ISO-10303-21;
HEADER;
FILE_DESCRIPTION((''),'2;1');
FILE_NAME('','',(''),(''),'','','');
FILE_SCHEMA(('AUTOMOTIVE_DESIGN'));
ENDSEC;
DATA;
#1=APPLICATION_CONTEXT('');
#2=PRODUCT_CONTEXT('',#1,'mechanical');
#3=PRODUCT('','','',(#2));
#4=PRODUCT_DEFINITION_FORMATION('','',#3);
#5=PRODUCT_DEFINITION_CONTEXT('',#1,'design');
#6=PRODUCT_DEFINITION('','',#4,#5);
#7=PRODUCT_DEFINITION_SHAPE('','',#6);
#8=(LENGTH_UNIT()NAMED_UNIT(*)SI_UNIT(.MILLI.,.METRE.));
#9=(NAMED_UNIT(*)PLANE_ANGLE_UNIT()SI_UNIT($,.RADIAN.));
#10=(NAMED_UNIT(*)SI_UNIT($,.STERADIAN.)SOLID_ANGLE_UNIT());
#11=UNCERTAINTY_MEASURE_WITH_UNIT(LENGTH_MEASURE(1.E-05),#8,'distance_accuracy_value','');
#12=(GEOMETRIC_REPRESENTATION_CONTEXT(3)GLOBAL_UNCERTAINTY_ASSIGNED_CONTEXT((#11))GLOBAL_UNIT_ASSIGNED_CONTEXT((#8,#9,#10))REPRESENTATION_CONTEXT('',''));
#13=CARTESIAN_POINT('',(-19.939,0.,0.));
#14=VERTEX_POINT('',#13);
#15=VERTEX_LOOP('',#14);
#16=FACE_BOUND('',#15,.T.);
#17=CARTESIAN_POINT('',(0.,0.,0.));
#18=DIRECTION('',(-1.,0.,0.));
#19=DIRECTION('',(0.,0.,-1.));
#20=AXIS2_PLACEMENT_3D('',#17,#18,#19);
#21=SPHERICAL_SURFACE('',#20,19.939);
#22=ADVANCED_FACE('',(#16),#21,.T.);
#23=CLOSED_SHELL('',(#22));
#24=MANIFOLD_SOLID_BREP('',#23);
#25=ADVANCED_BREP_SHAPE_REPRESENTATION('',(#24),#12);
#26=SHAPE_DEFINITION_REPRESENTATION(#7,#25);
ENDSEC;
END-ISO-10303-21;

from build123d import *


with BuildPart() as part:
    # Sketch1 → Revolve5 (revolve)
    with BuildSketch(Plane(origin=(0, 0, 0), x_dir=(1, 0, 0), z_dir=(0, 1, 0))):
        with BuildLine():
            Line((-19.939, 0), (19.939, 0))
            ThreePointArc((19.939, 0), (0, 19.939), (-19.939, 0))
        make_face()
    revolve(axis=Axis((-19.939, 0, 0), (1, 0, 0)))


solid = part.part
